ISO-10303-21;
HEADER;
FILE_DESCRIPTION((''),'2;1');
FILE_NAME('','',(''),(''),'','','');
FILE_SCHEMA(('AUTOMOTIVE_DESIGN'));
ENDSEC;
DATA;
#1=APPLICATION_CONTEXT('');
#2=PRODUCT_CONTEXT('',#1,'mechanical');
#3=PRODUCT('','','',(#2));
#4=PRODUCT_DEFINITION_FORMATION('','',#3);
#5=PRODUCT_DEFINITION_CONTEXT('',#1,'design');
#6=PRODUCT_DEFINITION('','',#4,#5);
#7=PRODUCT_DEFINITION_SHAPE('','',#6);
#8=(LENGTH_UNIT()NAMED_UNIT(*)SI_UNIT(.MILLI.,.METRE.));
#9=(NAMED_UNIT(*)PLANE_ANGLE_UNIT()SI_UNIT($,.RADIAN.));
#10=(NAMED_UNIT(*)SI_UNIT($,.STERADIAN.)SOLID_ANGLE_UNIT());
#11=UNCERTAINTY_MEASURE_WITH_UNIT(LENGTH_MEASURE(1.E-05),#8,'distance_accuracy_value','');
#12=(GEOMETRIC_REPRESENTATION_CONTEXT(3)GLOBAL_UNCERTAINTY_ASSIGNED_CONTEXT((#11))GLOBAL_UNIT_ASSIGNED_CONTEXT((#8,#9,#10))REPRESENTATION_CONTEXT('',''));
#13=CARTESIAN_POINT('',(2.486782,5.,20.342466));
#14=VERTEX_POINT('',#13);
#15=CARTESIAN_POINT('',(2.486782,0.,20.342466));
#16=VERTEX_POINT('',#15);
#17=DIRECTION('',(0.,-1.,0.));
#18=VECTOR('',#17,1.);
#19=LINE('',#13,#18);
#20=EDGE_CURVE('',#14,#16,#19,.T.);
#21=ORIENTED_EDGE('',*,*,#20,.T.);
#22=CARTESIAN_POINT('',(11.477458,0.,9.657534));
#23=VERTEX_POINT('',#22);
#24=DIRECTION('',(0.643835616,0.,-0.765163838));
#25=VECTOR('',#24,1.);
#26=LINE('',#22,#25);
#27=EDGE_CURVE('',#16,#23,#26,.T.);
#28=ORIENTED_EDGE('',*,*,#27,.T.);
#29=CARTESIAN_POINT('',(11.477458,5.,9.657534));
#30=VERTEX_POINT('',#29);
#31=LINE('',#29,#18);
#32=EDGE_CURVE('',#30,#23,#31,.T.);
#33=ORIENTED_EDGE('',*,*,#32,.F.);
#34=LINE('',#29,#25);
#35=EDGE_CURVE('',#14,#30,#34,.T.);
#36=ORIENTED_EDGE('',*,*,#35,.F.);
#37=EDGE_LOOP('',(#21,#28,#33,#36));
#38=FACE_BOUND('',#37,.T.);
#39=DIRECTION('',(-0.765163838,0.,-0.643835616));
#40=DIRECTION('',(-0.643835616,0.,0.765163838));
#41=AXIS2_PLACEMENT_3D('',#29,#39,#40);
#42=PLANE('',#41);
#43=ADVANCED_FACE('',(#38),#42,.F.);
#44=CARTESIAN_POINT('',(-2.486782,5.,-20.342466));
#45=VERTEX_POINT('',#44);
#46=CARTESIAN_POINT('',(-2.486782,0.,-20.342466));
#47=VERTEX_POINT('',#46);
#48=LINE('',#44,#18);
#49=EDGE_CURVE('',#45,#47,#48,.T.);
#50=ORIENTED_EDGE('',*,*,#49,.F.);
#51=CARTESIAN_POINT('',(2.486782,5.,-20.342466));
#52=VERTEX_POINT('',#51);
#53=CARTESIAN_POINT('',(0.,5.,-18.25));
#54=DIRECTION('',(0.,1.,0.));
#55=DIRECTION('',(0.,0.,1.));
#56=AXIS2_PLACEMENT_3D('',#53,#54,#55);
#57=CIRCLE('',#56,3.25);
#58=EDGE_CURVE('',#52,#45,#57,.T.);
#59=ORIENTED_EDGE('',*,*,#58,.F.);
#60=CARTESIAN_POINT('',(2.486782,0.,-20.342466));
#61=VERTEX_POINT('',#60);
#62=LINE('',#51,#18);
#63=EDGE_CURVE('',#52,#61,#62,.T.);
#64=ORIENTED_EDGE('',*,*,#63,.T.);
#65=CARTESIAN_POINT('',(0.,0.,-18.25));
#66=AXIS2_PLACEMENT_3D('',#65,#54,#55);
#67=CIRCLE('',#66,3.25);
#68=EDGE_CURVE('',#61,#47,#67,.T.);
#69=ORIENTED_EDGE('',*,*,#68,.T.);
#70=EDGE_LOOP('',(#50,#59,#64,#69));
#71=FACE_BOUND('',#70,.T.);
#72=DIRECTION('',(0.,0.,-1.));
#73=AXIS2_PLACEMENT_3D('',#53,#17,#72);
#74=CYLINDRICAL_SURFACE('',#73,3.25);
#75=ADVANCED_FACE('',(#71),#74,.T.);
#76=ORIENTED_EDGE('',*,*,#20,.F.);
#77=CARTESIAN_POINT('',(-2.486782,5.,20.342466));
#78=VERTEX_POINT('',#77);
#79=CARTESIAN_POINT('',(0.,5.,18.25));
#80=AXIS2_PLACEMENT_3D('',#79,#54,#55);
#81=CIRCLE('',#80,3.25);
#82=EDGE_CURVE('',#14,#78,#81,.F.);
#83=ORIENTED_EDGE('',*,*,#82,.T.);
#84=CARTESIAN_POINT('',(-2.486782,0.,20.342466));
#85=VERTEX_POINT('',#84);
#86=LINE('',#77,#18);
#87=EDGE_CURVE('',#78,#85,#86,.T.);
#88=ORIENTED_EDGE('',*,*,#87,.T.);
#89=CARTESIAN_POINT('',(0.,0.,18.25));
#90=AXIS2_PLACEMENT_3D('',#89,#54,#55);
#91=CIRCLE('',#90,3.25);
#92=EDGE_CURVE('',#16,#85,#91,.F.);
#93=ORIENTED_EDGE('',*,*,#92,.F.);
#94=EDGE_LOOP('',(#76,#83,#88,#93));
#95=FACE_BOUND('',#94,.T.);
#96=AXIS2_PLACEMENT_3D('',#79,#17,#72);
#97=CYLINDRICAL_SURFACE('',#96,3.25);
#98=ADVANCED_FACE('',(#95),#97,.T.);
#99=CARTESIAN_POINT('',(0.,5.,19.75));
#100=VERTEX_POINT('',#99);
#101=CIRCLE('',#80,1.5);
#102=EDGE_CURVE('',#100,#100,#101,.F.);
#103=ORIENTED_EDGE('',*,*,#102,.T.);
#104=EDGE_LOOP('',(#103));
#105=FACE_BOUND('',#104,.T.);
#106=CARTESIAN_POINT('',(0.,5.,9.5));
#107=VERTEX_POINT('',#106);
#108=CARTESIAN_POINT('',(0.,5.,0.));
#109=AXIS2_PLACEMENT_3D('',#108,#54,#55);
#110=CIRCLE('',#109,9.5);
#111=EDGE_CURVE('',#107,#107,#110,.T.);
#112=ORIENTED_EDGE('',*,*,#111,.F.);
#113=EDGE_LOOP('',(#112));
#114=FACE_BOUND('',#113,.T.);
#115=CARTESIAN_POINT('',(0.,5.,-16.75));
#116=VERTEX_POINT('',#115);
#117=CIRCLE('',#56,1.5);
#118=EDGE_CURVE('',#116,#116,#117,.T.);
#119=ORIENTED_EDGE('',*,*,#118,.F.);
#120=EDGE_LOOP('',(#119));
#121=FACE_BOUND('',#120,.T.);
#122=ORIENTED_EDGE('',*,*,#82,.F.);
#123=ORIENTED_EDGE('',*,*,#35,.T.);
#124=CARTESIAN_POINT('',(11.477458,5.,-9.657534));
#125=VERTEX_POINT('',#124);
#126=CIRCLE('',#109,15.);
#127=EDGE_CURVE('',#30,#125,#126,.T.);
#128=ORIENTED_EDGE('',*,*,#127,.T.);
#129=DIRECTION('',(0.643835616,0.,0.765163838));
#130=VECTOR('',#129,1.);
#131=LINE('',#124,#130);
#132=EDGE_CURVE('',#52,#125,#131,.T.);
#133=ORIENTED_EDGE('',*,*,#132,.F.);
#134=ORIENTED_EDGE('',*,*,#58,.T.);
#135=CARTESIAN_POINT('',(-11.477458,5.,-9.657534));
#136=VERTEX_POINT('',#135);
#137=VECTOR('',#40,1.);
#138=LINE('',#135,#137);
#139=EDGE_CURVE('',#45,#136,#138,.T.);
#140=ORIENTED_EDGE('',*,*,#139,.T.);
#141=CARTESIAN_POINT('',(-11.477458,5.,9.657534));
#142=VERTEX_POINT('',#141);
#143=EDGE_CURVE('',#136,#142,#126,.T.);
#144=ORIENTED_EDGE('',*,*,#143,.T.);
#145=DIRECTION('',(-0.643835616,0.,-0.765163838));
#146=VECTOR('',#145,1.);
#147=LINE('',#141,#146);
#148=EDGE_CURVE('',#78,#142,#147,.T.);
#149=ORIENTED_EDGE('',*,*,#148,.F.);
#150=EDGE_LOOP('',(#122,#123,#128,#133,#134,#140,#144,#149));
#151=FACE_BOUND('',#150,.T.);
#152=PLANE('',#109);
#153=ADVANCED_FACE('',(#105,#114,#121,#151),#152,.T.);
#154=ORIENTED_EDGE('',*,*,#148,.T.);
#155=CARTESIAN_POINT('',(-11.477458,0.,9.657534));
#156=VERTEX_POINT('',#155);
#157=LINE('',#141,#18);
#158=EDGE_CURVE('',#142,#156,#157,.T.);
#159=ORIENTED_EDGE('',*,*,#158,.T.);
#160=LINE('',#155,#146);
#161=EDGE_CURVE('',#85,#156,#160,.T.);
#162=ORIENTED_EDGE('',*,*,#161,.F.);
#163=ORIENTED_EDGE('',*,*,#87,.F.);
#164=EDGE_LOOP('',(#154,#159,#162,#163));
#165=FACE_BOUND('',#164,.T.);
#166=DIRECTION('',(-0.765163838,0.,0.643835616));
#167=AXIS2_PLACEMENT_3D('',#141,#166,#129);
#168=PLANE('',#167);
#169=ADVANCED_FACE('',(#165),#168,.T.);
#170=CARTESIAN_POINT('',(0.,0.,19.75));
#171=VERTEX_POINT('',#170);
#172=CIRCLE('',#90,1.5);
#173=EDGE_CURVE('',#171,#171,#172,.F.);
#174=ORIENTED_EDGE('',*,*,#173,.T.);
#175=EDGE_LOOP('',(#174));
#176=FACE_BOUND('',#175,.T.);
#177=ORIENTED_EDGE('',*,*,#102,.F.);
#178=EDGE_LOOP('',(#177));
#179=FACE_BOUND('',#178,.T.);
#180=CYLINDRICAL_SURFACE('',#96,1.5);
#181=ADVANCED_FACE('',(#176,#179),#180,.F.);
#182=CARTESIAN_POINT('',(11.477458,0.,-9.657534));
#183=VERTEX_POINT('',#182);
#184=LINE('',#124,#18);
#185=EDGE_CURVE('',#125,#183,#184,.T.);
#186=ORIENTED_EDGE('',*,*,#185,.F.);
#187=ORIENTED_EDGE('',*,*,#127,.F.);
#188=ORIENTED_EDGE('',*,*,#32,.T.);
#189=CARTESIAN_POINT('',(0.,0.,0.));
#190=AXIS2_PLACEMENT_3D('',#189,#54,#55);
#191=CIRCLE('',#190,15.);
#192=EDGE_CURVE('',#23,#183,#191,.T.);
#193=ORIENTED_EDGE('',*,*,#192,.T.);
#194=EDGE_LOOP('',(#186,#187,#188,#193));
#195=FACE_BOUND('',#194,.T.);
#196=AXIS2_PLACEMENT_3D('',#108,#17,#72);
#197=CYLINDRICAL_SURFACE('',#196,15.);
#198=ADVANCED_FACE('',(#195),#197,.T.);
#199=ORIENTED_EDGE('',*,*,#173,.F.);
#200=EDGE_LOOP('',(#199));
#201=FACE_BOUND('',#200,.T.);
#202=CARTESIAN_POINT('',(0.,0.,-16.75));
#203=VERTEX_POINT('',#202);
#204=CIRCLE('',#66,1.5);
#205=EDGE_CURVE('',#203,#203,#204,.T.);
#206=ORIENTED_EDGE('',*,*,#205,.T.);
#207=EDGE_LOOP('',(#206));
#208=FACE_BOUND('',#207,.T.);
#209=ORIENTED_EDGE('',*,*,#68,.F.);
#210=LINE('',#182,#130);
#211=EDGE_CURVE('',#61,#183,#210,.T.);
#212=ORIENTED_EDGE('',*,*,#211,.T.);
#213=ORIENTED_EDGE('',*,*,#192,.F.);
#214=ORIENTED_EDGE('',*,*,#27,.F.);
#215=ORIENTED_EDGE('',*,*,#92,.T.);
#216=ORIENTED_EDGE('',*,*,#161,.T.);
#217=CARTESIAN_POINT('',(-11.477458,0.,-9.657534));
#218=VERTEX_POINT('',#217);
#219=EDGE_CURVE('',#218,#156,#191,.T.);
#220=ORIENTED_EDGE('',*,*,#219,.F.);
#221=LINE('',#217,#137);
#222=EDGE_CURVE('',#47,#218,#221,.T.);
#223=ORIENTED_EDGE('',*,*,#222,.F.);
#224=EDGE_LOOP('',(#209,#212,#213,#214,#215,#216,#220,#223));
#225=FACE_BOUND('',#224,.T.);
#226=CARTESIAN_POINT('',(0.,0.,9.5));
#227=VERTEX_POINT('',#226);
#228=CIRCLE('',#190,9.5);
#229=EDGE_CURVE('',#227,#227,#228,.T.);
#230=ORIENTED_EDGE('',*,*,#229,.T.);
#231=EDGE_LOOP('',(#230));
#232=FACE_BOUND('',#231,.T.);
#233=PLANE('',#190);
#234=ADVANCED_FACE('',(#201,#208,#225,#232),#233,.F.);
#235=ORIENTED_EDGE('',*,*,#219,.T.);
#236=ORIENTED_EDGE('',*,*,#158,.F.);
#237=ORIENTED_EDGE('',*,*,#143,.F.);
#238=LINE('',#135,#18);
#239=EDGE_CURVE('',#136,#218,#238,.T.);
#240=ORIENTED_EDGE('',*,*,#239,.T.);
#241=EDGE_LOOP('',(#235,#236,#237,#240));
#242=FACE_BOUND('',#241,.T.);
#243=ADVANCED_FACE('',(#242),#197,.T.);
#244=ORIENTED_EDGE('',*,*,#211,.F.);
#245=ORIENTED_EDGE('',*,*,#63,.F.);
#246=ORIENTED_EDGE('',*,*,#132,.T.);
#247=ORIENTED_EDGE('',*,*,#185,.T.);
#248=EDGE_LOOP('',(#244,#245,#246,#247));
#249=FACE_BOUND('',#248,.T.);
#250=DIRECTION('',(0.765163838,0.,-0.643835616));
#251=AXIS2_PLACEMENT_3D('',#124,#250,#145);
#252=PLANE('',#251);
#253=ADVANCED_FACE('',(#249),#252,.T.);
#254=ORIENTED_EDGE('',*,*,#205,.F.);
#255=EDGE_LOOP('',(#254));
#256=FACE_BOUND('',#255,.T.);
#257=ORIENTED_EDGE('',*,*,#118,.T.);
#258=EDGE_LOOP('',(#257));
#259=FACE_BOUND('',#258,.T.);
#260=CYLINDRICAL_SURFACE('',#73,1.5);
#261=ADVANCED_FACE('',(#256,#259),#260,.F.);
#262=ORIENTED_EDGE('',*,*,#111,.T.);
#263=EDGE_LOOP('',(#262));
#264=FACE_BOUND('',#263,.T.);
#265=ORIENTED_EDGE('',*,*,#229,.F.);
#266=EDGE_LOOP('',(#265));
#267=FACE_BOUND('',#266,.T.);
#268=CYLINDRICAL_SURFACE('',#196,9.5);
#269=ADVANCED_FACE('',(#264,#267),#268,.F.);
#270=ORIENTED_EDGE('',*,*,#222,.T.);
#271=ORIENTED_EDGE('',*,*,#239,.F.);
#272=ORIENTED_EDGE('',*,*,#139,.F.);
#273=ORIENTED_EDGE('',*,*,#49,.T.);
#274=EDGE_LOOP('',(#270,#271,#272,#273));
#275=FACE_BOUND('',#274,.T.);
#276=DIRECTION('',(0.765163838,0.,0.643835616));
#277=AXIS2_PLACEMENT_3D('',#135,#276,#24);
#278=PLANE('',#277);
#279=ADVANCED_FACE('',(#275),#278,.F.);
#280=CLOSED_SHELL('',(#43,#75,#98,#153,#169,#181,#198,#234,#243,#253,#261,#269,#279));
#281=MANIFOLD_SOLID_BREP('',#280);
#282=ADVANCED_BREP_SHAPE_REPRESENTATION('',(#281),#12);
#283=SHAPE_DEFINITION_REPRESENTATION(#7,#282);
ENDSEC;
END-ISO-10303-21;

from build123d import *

# Parameters (mm, degrees)
SKETCH1_R           = 1.5
SKETCH1_R_2         = 9.5
BOSS_EXTRUDE1_DEPTH = 5


with BuildPart() as part:
    # Sketch1 → Boss-Extrude1 (new body)
    with BuildSketch(Plane(origin=(0, 0, 0), x_dir=(1, 0, 0), z_dir=(0, 1, 0))):
        with BuildLine():
            Line((-11.47745757, -9.657534247), (-2.486782474, -20.342465753))
            ThreePointArc((-2.486782474, -20.342465753), (0, -21.5), (2.486782474, -20.342465753))
            Line((2.486782474, -20.342465753), (11.47745757, -9.657534247))
            ThreePointArc((11.47745757, -9.657534247), (15, 0), (11.47745757, 9.657534247))
            Line((11.47745757, 9.657534247), (2.486782474, 20.342465753))
            ThreePointArc((2.486782474, 20.342465753), (0, 21.5), (-2.486782474, 20.342465753))
            Line((-2.486782474, 20.342465753), (-11.47745757, 9.657534247))
            ThreePointArc((-11.47745757, 9.657534247), (-15, 0), (-11.47745757, -9.657534247))
        make_face()
        with Locations((0, -18.25)):
            Circle(SKETCH1_R, mode=Mode.SUBTRACT)
        Circle(SKETCH1_R_2, mode=Mode.SUBTRACT)
        with Locations((0, 18.25)):
            Circle(SKETCH1_R, mode=Mode.SUBTRACT)
    extrude(amount=BOSS_EXTRUDE1_DEPTH)


solid = part.part
